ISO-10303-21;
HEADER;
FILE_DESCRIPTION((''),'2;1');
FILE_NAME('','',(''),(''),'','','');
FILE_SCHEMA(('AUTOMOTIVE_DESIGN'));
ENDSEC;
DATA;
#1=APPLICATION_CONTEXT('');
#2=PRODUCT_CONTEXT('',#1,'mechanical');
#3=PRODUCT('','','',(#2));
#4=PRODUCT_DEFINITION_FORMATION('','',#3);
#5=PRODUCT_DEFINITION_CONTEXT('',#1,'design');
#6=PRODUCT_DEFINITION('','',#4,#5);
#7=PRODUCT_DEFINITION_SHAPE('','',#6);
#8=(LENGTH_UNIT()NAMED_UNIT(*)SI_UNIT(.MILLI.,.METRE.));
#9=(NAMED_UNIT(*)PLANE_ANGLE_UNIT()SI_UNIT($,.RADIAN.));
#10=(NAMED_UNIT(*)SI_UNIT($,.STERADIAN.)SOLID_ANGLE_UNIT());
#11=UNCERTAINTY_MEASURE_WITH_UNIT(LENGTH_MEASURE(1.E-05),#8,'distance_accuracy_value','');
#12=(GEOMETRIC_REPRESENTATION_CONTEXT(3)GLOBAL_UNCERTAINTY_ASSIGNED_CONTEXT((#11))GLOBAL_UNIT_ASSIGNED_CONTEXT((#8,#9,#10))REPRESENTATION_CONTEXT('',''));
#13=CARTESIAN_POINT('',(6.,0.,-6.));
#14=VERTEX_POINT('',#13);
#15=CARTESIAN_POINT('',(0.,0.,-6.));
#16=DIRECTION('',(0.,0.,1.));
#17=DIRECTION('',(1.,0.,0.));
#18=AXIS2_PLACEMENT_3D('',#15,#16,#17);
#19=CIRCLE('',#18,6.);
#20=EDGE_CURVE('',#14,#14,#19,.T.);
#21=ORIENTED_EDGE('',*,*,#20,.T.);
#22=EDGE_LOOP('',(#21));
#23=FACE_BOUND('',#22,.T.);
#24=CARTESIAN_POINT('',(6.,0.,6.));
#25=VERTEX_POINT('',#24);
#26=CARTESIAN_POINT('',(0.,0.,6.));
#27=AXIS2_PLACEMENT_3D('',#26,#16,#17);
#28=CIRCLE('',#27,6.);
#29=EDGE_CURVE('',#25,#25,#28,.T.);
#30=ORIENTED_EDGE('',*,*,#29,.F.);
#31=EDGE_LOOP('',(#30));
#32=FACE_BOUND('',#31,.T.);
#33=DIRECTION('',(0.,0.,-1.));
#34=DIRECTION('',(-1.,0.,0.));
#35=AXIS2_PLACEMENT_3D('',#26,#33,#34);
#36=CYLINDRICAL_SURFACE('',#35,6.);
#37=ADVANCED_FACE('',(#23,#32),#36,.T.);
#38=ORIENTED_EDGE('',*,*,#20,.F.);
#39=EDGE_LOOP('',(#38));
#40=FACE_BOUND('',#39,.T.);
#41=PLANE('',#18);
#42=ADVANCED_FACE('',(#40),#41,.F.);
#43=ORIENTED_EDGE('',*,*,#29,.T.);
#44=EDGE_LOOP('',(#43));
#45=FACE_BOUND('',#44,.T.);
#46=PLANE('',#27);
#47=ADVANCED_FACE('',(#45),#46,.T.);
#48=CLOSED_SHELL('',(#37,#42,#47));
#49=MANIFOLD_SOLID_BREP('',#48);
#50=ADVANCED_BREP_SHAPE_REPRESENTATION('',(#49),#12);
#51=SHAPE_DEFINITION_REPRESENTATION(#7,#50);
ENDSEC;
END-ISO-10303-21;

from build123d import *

# Parameters (mm, degrees)
SKETCH_1_R      = 6
EXTRUDE_1_DEPTH = 6


with BuildPart() as part:
    # 草图1 → 凸台-拉伸1 (new, symmetric)
    with BuildSketch(Plane.XY):
        Circle(SKETCH_1_R)
    extrude(amount=EXTRUDE_1_DEPTH, both=True)


solid = part.part
